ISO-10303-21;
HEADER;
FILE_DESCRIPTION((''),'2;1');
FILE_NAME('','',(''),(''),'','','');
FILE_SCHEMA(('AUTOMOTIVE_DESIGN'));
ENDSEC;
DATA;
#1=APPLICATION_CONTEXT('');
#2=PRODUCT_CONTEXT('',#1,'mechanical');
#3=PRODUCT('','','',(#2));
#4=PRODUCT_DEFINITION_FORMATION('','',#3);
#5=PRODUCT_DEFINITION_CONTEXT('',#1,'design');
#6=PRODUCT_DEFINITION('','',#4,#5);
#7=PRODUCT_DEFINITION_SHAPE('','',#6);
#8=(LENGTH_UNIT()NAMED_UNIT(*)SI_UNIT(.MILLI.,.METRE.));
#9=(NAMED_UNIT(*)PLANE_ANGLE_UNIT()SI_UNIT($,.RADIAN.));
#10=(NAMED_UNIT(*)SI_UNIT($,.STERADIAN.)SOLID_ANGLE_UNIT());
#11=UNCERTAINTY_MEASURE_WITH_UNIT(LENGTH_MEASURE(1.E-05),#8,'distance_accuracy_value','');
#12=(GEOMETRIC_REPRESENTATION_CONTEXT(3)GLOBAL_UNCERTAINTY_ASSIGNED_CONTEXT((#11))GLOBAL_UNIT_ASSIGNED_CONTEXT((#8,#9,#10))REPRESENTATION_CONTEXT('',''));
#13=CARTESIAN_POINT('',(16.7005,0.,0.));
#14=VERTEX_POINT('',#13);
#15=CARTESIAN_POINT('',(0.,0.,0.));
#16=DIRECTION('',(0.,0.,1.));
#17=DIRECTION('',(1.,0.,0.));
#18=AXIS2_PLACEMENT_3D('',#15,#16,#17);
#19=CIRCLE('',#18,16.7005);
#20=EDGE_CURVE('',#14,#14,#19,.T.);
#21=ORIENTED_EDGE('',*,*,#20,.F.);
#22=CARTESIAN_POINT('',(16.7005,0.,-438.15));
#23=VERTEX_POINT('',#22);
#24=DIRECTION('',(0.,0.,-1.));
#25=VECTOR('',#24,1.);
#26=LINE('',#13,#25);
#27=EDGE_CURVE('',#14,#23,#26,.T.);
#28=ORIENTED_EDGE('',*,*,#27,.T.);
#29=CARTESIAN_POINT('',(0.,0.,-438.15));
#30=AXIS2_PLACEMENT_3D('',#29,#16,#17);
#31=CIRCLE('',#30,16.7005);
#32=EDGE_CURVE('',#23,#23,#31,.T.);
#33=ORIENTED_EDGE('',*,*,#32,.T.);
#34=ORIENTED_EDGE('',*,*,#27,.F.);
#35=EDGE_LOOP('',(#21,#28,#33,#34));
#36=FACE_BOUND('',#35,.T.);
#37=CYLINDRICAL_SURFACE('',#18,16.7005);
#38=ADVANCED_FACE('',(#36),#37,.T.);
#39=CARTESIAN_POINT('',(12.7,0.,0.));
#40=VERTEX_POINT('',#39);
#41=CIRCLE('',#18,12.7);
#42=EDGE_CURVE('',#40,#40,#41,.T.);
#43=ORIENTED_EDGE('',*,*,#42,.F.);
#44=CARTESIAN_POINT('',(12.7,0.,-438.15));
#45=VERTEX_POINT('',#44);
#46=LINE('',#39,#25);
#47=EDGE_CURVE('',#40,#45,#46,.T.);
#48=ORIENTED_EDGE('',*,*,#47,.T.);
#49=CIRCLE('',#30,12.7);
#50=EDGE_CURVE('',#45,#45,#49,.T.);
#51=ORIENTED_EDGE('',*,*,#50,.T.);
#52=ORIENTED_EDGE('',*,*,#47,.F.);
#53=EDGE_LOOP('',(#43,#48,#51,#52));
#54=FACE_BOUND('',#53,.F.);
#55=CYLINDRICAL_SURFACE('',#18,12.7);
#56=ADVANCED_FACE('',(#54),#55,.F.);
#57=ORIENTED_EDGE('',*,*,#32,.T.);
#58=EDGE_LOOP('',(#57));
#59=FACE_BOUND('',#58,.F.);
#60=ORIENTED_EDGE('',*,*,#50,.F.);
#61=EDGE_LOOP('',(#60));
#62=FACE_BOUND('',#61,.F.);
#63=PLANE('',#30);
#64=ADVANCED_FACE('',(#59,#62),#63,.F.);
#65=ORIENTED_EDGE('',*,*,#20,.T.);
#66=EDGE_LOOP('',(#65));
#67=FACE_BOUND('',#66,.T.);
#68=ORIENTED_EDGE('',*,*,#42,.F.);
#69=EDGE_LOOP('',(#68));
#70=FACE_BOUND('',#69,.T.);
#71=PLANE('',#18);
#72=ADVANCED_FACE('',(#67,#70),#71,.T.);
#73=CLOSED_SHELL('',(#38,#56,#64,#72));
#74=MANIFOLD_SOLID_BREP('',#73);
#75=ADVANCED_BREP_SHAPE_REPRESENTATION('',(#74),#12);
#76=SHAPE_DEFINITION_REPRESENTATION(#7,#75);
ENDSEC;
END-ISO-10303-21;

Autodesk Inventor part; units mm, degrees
ref_plane "YZ Plane" through (0, 0, 0) normal (1, 0, 0) x (0, 1, 0)
ref_plane "XZ Plane" through (0, 0, 0) normal (0, 1, 0) x (-1, 0, 0)
ref_plane "XY Plane" through (0, 0, 0) normal (0, 0, 1) x (1, 0, 0)
sketch "Sketch1" plane through (0, 0, 0) normal (0, 0, 1) x (1, 0, 0)
  circle A0 centre (0, 0) radius 16.7005
  circle A1 centre (0, 0) radius 12.7
  dimension "d0" = 33.401
  dimension "d1" = 25.4
extrude "Extrusion1" add sketch "Sketch1" against normal blind 438.15
properties part number "Pipe 1"
